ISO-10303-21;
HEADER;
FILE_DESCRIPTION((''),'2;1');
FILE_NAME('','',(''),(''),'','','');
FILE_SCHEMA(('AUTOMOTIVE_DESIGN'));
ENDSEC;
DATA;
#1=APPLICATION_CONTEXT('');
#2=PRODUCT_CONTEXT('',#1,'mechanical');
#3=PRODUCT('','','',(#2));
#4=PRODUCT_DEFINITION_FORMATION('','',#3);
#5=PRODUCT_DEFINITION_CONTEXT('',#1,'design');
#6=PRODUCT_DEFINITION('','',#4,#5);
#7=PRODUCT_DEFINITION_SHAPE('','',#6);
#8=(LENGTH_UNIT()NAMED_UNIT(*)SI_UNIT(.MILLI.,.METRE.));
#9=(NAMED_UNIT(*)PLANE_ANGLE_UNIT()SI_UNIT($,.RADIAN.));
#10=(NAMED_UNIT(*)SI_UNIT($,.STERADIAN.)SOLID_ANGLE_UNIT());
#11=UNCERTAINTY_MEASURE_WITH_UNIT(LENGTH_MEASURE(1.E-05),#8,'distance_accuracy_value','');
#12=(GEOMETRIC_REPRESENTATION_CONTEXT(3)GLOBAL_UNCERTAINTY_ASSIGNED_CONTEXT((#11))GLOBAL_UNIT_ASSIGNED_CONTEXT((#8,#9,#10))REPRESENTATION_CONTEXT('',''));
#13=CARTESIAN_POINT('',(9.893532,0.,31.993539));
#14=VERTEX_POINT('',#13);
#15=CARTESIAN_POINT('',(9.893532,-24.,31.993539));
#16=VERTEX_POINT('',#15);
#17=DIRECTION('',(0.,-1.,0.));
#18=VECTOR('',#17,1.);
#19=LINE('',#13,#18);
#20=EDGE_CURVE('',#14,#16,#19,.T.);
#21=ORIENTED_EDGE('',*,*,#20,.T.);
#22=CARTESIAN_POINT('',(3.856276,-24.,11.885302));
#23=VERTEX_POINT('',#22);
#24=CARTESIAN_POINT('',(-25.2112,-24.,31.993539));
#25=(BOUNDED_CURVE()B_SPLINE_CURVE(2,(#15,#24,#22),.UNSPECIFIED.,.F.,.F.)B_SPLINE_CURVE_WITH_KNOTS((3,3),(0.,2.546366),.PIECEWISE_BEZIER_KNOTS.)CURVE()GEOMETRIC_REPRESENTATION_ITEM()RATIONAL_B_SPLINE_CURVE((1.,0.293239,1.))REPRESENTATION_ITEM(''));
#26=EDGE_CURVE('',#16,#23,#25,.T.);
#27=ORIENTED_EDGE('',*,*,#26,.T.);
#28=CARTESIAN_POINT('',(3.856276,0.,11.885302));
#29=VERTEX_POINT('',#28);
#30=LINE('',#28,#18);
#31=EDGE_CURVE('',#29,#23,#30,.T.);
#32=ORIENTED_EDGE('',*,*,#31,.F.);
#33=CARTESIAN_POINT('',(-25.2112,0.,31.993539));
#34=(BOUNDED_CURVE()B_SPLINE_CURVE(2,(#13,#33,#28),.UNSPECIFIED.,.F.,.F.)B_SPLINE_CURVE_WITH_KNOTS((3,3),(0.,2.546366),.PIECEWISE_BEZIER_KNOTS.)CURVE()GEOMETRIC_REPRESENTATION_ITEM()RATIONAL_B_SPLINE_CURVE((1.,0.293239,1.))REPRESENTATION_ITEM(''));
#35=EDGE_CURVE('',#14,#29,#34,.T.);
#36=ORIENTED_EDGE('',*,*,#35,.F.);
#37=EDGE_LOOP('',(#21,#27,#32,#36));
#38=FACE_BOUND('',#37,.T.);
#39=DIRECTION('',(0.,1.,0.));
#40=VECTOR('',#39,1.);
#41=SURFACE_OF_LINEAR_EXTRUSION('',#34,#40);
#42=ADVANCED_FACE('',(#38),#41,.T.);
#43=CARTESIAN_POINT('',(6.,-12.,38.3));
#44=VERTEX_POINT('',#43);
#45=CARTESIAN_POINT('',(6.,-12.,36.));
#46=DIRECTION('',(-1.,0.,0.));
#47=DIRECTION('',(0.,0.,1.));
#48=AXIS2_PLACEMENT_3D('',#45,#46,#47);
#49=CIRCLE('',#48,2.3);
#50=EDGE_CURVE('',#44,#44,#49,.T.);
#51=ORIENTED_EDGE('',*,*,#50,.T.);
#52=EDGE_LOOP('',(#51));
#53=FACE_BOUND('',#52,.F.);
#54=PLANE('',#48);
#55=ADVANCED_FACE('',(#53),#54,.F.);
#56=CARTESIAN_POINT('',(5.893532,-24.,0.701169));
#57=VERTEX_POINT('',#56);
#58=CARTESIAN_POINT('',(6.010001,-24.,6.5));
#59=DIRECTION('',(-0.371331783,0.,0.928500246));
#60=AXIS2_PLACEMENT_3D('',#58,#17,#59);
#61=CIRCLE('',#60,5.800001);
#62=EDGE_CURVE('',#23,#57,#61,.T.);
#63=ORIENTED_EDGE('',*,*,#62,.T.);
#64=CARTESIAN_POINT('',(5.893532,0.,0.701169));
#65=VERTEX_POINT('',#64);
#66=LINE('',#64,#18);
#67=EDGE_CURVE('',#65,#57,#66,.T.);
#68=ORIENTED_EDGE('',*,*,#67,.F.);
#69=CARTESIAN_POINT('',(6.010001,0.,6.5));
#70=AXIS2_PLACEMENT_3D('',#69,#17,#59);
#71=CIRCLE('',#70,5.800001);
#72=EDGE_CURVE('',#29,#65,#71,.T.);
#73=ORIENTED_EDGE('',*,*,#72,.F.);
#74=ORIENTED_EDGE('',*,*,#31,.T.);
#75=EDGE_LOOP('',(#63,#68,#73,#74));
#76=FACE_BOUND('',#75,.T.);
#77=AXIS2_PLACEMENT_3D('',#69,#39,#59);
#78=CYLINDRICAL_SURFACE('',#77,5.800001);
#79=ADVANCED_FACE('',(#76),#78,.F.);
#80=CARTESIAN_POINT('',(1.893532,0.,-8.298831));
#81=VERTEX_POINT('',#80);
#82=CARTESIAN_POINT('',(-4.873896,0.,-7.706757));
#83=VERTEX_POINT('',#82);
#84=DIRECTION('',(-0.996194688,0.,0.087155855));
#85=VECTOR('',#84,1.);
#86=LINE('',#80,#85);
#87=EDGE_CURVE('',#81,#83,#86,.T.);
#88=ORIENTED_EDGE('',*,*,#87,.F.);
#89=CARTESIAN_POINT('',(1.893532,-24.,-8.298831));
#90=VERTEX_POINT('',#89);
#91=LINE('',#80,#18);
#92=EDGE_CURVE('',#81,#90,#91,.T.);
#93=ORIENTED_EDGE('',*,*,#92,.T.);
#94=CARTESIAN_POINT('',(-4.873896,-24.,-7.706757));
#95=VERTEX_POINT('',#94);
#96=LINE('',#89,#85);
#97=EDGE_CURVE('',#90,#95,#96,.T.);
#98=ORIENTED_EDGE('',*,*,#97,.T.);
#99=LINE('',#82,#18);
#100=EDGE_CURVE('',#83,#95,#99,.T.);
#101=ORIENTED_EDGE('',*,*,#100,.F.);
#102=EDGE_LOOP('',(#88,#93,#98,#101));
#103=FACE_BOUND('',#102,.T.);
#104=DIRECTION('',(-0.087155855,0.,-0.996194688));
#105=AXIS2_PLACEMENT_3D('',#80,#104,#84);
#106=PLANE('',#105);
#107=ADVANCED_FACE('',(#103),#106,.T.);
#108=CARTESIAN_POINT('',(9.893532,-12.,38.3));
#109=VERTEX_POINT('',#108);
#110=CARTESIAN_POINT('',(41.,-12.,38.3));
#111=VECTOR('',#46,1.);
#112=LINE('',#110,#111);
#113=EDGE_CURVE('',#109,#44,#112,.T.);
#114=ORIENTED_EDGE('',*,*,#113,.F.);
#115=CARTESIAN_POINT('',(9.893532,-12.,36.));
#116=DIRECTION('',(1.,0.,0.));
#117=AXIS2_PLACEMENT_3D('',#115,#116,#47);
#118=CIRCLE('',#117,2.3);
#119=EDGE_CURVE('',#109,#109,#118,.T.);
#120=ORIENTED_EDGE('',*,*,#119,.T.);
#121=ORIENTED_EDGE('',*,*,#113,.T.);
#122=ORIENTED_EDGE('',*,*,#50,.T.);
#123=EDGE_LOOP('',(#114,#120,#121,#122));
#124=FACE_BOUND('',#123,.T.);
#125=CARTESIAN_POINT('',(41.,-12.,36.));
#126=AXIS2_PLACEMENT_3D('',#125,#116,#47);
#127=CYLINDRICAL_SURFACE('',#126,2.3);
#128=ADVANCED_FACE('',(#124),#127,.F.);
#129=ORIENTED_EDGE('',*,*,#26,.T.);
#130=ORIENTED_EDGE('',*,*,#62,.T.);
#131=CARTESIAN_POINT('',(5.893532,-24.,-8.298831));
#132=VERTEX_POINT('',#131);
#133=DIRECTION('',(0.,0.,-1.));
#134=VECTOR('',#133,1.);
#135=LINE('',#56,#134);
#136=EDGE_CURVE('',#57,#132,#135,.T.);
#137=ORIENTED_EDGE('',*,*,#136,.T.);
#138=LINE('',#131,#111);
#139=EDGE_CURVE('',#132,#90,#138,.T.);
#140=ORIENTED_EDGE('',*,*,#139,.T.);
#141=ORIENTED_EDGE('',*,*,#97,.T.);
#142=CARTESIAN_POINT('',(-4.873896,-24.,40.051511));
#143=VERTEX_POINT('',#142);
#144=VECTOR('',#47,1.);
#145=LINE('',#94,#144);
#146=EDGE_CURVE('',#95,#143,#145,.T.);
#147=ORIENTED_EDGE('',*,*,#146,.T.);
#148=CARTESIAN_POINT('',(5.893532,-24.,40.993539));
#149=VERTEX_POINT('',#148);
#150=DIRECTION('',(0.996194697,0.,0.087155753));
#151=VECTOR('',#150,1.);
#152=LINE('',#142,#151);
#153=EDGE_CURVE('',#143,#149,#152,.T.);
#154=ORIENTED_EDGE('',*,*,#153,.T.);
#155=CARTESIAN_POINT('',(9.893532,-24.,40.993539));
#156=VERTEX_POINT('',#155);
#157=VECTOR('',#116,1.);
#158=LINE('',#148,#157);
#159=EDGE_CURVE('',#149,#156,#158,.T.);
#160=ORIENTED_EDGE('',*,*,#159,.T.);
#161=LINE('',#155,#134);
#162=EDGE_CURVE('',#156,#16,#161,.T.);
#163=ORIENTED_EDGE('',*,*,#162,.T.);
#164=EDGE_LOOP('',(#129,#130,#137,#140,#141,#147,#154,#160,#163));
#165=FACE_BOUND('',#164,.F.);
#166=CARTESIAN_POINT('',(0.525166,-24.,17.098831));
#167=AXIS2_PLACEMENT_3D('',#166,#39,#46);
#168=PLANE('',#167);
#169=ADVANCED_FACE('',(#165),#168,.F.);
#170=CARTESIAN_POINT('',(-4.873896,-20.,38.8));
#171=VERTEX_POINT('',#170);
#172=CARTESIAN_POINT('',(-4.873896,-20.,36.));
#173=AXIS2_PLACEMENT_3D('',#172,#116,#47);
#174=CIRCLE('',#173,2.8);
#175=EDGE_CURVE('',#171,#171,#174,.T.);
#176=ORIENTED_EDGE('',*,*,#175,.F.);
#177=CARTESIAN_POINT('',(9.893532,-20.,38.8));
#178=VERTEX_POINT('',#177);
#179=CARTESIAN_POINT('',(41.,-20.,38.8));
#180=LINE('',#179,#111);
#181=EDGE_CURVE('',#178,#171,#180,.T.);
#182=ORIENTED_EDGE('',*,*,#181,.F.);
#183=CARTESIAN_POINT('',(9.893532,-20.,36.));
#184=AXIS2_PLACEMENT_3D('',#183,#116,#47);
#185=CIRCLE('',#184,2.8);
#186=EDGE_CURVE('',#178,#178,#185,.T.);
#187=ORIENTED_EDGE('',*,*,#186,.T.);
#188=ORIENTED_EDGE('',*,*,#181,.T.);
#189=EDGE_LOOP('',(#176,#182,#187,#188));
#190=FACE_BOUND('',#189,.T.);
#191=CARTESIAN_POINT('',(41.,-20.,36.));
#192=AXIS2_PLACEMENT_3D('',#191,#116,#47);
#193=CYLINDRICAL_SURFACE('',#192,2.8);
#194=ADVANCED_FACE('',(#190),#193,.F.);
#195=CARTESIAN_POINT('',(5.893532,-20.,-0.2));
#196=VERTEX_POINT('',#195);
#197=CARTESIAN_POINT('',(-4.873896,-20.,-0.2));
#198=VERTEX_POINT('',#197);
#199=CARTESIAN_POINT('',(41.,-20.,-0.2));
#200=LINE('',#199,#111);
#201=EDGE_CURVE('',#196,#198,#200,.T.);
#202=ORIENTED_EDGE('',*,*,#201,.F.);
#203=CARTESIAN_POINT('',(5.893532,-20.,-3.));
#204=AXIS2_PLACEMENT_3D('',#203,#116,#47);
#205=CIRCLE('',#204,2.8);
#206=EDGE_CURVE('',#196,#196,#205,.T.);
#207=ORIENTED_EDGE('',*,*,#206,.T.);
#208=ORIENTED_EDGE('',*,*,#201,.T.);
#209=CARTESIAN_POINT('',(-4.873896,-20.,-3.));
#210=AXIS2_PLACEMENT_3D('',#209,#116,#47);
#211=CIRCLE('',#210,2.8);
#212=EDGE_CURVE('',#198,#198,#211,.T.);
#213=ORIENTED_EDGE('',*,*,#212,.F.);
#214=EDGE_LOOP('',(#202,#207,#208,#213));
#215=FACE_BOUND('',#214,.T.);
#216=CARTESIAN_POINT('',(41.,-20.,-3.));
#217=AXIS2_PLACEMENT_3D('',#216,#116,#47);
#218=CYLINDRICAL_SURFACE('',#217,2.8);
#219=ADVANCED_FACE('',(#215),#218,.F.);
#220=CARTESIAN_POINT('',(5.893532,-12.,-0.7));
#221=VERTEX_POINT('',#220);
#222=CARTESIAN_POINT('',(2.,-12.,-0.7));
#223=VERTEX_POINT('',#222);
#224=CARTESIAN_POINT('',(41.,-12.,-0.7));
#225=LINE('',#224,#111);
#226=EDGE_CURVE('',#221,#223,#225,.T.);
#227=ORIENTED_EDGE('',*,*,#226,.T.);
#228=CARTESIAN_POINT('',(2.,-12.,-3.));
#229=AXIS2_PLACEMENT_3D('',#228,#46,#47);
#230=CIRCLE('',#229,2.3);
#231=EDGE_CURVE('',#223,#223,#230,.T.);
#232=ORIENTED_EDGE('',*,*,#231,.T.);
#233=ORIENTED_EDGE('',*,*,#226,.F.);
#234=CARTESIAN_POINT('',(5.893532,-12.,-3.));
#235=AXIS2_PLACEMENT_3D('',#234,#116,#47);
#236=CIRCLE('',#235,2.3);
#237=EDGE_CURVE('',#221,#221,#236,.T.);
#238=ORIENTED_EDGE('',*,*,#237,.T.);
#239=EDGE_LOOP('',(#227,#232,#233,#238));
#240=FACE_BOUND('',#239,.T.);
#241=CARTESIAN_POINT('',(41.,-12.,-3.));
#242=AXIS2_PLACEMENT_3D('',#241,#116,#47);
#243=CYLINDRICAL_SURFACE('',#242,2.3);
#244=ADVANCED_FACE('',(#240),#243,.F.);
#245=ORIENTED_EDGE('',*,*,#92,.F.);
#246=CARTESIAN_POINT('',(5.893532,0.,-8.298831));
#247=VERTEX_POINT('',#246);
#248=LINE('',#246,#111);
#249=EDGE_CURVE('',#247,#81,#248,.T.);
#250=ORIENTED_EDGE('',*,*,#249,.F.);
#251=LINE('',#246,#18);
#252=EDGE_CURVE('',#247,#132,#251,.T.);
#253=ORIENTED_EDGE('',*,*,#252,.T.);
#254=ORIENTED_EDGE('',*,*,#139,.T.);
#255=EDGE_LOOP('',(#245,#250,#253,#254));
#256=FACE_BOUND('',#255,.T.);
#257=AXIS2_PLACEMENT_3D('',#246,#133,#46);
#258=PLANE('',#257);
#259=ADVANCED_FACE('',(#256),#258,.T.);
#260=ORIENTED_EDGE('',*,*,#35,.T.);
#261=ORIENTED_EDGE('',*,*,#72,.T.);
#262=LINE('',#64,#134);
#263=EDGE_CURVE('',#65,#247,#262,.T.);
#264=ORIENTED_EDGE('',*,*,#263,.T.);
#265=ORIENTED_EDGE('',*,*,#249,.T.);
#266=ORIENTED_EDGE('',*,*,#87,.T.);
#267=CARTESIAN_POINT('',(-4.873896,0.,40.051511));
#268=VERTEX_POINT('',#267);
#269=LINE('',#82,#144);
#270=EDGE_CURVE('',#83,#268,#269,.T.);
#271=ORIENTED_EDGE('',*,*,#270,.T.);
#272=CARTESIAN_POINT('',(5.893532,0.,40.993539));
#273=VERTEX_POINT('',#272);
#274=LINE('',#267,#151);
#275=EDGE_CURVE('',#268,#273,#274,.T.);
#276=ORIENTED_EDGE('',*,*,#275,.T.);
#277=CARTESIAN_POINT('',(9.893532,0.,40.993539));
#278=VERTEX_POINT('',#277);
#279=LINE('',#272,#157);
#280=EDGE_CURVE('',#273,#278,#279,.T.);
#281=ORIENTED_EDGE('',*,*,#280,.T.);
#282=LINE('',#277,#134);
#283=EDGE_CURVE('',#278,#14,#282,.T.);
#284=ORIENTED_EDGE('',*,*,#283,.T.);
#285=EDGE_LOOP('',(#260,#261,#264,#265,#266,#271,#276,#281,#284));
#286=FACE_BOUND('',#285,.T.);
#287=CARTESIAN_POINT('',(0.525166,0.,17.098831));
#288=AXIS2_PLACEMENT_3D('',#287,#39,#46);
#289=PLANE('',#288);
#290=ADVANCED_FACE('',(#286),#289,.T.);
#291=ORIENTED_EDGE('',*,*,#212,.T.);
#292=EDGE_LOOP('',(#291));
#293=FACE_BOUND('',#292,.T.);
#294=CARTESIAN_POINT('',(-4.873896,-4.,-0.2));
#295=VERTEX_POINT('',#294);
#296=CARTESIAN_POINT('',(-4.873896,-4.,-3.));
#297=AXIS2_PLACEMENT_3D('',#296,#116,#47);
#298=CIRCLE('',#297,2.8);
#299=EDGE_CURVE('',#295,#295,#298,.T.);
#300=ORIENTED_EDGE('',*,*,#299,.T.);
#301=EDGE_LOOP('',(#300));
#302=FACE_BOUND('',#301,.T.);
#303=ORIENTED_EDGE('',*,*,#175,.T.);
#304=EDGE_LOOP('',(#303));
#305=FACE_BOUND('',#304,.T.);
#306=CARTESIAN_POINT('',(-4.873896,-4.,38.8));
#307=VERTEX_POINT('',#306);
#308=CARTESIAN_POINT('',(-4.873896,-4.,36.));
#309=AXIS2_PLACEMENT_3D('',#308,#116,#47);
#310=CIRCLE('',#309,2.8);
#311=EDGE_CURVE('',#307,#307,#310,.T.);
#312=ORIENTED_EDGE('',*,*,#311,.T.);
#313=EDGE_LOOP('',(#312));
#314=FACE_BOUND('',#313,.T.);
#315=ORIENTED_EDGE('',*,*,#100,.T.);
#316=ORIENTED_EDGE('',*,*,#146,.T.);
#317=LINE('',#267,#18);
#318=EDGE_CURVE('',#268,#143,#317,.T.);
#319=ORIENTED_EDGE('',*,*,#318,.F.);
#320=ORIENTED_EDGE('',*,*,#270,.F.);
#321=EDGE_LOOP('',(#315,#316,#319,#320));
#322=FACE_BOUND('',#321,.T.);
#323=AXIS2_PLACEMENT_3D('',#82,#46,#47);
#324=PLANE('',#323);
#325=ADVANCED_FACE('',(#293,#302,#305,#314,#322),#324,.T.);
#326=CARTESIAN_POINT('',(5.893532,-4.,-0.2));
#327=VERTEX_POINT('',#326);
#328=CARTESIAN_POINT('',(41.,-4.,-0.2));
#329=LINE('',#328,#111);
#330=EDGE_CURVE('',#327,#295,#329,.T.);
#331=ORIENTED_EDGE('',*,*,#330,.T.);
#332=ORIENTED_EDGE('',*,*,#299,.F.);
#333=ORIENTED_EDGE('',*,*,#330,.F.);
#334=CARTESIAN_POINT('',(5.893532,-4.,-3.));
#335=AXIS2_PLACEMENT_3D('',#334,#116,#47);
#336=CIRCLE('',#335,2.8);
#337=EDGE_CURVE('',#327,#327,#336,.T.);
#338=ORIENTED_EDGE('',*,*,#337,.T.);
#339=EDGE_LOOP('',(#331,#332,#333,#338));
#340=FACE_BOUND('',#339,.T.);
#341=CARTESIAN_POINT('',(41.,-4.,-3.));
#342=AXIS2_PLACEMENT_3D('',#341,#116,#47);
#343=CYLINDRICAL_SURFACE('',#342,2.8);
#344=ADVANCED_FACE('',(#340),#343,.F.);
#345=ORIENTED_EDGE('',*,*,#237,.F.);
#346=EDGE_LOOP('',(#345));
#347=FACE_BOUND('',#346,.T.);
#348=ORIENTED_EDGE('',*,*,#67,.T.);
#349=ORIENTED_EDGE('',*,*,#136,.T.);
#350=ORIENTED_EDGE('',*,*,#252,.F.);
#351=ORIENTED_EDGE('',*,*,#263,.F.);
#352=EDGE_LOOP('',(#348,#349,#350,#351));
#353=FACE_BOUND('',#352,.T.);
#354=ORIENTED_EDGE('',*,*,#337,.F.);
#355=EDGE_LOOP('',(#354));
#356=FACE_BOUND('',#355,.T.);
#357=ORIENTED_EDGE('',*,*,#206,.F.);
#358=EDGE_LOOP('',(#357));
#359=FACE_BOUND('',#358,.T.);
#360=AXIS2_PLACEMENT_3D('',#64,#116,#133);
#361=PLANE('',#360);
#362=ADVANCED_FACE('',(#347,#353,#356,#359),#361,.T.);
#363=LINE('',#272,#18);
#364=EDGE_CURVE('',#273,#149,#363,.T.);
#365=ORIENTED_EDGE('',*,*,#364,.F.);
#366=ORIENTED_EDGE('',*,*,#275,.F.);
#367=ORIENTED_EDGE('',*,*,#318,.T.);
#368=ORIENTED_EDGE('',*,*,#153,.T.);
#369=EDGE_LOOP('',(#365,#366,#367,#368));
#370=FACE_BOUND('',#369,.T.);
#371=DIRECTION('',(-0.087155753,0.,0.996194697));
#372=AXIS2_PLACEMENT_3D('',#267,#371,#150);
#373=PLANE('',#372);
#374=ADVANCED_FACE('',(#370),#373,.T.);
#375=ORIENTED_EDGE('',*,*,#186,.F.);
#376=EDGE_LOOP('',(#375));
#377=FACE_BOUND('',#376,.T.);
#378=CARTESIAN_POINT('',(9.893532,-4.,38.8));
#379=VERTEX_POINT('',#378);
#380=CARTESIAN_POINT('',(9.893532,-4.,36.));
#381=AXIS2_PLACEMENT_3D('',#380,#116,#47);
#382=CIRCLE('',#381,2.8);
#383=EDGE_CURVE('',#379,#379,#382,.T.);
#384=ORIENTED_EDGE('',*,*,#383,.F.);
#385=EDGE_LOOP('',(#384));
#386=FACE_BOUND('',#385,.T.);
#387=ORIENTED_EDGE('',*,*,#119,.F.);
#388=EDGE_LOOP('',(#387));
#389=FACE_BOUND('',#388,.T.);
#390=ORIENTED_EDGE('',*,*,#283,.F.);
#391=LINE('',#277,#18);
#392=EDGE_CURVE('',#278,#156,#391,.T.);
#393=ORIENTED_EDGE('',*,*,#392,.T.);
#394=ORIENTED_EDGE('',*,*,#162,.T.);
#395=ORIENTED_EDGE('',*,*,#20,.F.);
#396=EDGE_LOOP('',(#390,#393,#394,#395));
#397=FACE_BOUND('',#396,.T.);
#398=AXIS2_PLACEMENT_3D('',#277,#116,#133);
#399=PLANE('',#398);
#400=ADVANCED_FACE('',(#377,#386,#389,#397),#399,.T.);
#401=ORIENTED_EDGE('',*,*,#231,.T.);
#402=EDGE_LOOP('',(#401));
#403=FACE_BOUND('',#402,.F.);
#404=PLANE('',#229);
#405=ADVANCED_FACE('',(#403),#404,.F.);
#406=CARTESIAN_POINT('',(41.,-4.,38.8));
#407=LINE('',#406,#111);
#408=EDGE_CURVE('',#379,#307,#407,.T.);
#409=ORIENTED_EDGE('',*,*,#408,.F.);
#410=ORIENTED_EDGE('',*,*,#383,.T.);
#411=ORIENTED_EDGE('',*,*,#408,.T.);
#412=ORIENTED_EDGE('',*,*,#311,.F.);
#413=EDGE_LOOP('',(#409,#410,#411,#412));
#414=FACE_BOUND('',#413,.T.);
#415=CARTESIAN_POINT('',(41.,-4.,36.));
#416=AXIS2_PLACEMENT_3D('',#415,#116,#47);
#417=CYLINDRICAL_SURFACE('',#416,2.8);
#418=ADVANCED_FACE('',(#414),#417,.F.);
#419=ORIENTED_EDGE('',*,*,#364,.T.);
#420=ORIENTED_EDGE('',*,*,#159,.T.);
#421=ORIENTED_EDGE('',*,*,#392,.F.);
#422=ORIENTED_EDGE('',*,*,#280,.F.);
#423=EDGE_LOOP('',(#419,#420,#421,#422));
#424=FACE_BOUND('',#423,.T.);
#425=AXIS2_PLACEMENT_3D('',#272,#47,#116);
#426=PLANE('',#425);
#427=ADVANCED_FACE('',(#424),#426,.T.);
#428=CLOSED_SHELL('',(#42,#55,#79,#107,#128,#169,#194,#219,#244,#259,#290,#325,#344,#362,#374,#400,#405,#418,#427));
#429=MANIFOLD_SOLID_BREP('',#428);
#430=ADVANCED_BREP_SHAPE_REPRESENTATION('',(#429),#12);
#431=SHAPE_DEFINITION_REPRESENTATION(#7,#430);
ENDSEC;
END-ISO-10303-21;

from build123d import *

# Parameters (mm, degrees)
CYLINDER011_R     = 2.3
CYLINDER011_DEPTH = 39
CYLINDER010_R     = 2.3
CYLINDER010_DEPTH = 35
CYLINDER001_R     = 2.8
CYLINDER001_DEPTH = 60
CYLINDER003_R     = 2.8
CYLINDER003_DEPTH = 60
CYLINDER002_R     = 2.8
CYLINDER002_DEPTH = 60
CYLINDER_R        = 2.8
CYLINDER_DEPTH    = 60
PAD002_DEPTH      = 24


with BuildPart() as passi_pl_kl1:
    # Cylinder011 → Cylinder011 (new body)
    with BuildSketch(Plane(origin=(41, -12, -3), x_dir=(0, 0, 1), z_dir=(-1, 0, 0))):
        Circle(CYLINDER011_R)
    extrude(amount=CYLINDER011_DEPTH)


with BuildPart() as passi_pl_kl0:
    # Cylinder010 → Cylinder010 (new body)
    with BuildSketch(Plane(origin=(41, -12, 36), x_dir=(0, 0, 1), z_dir=(-1, 0, 0))):
        Circle(CYLINDER010_R)
    extrude(amount=CYLINDER010_DEPTH)


with BuildPart() as o2:
    # Cylinder001 → Cylinder001 (new body)
    with BuildSketch(Plane(origin=(41, -4, 36), x_dir=(0, 0, 1), z_dir=(-1, 0, 0))):
        Circle(CYLINDER001_R)
    extrude(amount=CYLINDER001_DEPTH)


with BuildPart() as u002:
    # Cylinder003 → Cylinder003 (new body)
    with BuildSketch(Plane(origin=(41, -20, -3), x_dir=(0, 0, 1), z_dir=(-1, 0, 0))):
        Circle(CYLINDER003_R)
    extrude(amount=CYLINDER003_DEPTH)


with BuildPart() as u001:
    # Cylinder002 → Cylinder002 (new body)
    with BuildSketch(Plane(origin=(41, -4, -3), x_dir=(0, 0, 1), z_dir=(-1, 0, 0))):
        Circle(CYLINDER002_R)
    extrude(amount=CYLINDER002_DEPTH)


with BuildPart() as o1:
    # Cylinder → Cylinder (new body)
    with BuildSketch(Plane(origin=(41, -20, 36), x_dir=(0, 0, 1), z_dir=(-1, 0, 0))):
        Circle(CYLINDER_R)
    extrude(amount=CYLINDER_DEPTH)


with BuildPart() as cut014:
    # Sketch → Pad002 (new body)
    with BuildSketch(Plane.XZ):
        with BuildLine():
            ThreePointArc((3.856276, 11.885302), (0.303894, 5.460599), (5.893532, 0.701169))
            Line((5.893532, 0.701169), (5.893532, -8.298831))
            Line((5.893532, -8.298831), (1.893532, -8.298831))
            Line((1.893532, -8.298831), (-4.873896, -7.706757))
            Line((-4.873896, -7.706757), (-4.873896, 40.051511))
            Line((-4.873896, 40.051511), (5.893532, 40.993539))
            Line((5.893532, 40.993539), (9.893532, 40.993539))
            Line((9.893532, 40.993539), (9.893532, 31.993539))
            add(Edge.make_bspline(
                [(9.893532, 31.993539), (-25.2112, 31.993539), (3.856276, 11.885302)],
                knots=[0, 0, 0, 2.546366, 2.546366, 2.546366], degree=2, weights=[1, 0.293239, 1]))
        make_face()
    extrude(amount=PAD002_DEPTH)

    # Cut: cut O1
    add(o1.part, mode=Mode.SUBTRACT)

    # Cut010: cut U001
    add(u001.part, mode=Mode.SUBTRACT)

    # Cut011: cut U002
    add(u002.part, mode=Mode.SUBTRACT)

    # Cut012: cut O2
    add(o2.part, mode=Mode.SUBTRACT)

    # Cut013: cut PassI_Pl-Kl0
    add(passi_pl_kl0.part, mode=Mode.SUBTRACT)

    # Cut014: cut PassI_Pl-Kl1
    add(passi_pl_kl1.part, mode=Mode.SUBTRACT)


solid = cut014.part
